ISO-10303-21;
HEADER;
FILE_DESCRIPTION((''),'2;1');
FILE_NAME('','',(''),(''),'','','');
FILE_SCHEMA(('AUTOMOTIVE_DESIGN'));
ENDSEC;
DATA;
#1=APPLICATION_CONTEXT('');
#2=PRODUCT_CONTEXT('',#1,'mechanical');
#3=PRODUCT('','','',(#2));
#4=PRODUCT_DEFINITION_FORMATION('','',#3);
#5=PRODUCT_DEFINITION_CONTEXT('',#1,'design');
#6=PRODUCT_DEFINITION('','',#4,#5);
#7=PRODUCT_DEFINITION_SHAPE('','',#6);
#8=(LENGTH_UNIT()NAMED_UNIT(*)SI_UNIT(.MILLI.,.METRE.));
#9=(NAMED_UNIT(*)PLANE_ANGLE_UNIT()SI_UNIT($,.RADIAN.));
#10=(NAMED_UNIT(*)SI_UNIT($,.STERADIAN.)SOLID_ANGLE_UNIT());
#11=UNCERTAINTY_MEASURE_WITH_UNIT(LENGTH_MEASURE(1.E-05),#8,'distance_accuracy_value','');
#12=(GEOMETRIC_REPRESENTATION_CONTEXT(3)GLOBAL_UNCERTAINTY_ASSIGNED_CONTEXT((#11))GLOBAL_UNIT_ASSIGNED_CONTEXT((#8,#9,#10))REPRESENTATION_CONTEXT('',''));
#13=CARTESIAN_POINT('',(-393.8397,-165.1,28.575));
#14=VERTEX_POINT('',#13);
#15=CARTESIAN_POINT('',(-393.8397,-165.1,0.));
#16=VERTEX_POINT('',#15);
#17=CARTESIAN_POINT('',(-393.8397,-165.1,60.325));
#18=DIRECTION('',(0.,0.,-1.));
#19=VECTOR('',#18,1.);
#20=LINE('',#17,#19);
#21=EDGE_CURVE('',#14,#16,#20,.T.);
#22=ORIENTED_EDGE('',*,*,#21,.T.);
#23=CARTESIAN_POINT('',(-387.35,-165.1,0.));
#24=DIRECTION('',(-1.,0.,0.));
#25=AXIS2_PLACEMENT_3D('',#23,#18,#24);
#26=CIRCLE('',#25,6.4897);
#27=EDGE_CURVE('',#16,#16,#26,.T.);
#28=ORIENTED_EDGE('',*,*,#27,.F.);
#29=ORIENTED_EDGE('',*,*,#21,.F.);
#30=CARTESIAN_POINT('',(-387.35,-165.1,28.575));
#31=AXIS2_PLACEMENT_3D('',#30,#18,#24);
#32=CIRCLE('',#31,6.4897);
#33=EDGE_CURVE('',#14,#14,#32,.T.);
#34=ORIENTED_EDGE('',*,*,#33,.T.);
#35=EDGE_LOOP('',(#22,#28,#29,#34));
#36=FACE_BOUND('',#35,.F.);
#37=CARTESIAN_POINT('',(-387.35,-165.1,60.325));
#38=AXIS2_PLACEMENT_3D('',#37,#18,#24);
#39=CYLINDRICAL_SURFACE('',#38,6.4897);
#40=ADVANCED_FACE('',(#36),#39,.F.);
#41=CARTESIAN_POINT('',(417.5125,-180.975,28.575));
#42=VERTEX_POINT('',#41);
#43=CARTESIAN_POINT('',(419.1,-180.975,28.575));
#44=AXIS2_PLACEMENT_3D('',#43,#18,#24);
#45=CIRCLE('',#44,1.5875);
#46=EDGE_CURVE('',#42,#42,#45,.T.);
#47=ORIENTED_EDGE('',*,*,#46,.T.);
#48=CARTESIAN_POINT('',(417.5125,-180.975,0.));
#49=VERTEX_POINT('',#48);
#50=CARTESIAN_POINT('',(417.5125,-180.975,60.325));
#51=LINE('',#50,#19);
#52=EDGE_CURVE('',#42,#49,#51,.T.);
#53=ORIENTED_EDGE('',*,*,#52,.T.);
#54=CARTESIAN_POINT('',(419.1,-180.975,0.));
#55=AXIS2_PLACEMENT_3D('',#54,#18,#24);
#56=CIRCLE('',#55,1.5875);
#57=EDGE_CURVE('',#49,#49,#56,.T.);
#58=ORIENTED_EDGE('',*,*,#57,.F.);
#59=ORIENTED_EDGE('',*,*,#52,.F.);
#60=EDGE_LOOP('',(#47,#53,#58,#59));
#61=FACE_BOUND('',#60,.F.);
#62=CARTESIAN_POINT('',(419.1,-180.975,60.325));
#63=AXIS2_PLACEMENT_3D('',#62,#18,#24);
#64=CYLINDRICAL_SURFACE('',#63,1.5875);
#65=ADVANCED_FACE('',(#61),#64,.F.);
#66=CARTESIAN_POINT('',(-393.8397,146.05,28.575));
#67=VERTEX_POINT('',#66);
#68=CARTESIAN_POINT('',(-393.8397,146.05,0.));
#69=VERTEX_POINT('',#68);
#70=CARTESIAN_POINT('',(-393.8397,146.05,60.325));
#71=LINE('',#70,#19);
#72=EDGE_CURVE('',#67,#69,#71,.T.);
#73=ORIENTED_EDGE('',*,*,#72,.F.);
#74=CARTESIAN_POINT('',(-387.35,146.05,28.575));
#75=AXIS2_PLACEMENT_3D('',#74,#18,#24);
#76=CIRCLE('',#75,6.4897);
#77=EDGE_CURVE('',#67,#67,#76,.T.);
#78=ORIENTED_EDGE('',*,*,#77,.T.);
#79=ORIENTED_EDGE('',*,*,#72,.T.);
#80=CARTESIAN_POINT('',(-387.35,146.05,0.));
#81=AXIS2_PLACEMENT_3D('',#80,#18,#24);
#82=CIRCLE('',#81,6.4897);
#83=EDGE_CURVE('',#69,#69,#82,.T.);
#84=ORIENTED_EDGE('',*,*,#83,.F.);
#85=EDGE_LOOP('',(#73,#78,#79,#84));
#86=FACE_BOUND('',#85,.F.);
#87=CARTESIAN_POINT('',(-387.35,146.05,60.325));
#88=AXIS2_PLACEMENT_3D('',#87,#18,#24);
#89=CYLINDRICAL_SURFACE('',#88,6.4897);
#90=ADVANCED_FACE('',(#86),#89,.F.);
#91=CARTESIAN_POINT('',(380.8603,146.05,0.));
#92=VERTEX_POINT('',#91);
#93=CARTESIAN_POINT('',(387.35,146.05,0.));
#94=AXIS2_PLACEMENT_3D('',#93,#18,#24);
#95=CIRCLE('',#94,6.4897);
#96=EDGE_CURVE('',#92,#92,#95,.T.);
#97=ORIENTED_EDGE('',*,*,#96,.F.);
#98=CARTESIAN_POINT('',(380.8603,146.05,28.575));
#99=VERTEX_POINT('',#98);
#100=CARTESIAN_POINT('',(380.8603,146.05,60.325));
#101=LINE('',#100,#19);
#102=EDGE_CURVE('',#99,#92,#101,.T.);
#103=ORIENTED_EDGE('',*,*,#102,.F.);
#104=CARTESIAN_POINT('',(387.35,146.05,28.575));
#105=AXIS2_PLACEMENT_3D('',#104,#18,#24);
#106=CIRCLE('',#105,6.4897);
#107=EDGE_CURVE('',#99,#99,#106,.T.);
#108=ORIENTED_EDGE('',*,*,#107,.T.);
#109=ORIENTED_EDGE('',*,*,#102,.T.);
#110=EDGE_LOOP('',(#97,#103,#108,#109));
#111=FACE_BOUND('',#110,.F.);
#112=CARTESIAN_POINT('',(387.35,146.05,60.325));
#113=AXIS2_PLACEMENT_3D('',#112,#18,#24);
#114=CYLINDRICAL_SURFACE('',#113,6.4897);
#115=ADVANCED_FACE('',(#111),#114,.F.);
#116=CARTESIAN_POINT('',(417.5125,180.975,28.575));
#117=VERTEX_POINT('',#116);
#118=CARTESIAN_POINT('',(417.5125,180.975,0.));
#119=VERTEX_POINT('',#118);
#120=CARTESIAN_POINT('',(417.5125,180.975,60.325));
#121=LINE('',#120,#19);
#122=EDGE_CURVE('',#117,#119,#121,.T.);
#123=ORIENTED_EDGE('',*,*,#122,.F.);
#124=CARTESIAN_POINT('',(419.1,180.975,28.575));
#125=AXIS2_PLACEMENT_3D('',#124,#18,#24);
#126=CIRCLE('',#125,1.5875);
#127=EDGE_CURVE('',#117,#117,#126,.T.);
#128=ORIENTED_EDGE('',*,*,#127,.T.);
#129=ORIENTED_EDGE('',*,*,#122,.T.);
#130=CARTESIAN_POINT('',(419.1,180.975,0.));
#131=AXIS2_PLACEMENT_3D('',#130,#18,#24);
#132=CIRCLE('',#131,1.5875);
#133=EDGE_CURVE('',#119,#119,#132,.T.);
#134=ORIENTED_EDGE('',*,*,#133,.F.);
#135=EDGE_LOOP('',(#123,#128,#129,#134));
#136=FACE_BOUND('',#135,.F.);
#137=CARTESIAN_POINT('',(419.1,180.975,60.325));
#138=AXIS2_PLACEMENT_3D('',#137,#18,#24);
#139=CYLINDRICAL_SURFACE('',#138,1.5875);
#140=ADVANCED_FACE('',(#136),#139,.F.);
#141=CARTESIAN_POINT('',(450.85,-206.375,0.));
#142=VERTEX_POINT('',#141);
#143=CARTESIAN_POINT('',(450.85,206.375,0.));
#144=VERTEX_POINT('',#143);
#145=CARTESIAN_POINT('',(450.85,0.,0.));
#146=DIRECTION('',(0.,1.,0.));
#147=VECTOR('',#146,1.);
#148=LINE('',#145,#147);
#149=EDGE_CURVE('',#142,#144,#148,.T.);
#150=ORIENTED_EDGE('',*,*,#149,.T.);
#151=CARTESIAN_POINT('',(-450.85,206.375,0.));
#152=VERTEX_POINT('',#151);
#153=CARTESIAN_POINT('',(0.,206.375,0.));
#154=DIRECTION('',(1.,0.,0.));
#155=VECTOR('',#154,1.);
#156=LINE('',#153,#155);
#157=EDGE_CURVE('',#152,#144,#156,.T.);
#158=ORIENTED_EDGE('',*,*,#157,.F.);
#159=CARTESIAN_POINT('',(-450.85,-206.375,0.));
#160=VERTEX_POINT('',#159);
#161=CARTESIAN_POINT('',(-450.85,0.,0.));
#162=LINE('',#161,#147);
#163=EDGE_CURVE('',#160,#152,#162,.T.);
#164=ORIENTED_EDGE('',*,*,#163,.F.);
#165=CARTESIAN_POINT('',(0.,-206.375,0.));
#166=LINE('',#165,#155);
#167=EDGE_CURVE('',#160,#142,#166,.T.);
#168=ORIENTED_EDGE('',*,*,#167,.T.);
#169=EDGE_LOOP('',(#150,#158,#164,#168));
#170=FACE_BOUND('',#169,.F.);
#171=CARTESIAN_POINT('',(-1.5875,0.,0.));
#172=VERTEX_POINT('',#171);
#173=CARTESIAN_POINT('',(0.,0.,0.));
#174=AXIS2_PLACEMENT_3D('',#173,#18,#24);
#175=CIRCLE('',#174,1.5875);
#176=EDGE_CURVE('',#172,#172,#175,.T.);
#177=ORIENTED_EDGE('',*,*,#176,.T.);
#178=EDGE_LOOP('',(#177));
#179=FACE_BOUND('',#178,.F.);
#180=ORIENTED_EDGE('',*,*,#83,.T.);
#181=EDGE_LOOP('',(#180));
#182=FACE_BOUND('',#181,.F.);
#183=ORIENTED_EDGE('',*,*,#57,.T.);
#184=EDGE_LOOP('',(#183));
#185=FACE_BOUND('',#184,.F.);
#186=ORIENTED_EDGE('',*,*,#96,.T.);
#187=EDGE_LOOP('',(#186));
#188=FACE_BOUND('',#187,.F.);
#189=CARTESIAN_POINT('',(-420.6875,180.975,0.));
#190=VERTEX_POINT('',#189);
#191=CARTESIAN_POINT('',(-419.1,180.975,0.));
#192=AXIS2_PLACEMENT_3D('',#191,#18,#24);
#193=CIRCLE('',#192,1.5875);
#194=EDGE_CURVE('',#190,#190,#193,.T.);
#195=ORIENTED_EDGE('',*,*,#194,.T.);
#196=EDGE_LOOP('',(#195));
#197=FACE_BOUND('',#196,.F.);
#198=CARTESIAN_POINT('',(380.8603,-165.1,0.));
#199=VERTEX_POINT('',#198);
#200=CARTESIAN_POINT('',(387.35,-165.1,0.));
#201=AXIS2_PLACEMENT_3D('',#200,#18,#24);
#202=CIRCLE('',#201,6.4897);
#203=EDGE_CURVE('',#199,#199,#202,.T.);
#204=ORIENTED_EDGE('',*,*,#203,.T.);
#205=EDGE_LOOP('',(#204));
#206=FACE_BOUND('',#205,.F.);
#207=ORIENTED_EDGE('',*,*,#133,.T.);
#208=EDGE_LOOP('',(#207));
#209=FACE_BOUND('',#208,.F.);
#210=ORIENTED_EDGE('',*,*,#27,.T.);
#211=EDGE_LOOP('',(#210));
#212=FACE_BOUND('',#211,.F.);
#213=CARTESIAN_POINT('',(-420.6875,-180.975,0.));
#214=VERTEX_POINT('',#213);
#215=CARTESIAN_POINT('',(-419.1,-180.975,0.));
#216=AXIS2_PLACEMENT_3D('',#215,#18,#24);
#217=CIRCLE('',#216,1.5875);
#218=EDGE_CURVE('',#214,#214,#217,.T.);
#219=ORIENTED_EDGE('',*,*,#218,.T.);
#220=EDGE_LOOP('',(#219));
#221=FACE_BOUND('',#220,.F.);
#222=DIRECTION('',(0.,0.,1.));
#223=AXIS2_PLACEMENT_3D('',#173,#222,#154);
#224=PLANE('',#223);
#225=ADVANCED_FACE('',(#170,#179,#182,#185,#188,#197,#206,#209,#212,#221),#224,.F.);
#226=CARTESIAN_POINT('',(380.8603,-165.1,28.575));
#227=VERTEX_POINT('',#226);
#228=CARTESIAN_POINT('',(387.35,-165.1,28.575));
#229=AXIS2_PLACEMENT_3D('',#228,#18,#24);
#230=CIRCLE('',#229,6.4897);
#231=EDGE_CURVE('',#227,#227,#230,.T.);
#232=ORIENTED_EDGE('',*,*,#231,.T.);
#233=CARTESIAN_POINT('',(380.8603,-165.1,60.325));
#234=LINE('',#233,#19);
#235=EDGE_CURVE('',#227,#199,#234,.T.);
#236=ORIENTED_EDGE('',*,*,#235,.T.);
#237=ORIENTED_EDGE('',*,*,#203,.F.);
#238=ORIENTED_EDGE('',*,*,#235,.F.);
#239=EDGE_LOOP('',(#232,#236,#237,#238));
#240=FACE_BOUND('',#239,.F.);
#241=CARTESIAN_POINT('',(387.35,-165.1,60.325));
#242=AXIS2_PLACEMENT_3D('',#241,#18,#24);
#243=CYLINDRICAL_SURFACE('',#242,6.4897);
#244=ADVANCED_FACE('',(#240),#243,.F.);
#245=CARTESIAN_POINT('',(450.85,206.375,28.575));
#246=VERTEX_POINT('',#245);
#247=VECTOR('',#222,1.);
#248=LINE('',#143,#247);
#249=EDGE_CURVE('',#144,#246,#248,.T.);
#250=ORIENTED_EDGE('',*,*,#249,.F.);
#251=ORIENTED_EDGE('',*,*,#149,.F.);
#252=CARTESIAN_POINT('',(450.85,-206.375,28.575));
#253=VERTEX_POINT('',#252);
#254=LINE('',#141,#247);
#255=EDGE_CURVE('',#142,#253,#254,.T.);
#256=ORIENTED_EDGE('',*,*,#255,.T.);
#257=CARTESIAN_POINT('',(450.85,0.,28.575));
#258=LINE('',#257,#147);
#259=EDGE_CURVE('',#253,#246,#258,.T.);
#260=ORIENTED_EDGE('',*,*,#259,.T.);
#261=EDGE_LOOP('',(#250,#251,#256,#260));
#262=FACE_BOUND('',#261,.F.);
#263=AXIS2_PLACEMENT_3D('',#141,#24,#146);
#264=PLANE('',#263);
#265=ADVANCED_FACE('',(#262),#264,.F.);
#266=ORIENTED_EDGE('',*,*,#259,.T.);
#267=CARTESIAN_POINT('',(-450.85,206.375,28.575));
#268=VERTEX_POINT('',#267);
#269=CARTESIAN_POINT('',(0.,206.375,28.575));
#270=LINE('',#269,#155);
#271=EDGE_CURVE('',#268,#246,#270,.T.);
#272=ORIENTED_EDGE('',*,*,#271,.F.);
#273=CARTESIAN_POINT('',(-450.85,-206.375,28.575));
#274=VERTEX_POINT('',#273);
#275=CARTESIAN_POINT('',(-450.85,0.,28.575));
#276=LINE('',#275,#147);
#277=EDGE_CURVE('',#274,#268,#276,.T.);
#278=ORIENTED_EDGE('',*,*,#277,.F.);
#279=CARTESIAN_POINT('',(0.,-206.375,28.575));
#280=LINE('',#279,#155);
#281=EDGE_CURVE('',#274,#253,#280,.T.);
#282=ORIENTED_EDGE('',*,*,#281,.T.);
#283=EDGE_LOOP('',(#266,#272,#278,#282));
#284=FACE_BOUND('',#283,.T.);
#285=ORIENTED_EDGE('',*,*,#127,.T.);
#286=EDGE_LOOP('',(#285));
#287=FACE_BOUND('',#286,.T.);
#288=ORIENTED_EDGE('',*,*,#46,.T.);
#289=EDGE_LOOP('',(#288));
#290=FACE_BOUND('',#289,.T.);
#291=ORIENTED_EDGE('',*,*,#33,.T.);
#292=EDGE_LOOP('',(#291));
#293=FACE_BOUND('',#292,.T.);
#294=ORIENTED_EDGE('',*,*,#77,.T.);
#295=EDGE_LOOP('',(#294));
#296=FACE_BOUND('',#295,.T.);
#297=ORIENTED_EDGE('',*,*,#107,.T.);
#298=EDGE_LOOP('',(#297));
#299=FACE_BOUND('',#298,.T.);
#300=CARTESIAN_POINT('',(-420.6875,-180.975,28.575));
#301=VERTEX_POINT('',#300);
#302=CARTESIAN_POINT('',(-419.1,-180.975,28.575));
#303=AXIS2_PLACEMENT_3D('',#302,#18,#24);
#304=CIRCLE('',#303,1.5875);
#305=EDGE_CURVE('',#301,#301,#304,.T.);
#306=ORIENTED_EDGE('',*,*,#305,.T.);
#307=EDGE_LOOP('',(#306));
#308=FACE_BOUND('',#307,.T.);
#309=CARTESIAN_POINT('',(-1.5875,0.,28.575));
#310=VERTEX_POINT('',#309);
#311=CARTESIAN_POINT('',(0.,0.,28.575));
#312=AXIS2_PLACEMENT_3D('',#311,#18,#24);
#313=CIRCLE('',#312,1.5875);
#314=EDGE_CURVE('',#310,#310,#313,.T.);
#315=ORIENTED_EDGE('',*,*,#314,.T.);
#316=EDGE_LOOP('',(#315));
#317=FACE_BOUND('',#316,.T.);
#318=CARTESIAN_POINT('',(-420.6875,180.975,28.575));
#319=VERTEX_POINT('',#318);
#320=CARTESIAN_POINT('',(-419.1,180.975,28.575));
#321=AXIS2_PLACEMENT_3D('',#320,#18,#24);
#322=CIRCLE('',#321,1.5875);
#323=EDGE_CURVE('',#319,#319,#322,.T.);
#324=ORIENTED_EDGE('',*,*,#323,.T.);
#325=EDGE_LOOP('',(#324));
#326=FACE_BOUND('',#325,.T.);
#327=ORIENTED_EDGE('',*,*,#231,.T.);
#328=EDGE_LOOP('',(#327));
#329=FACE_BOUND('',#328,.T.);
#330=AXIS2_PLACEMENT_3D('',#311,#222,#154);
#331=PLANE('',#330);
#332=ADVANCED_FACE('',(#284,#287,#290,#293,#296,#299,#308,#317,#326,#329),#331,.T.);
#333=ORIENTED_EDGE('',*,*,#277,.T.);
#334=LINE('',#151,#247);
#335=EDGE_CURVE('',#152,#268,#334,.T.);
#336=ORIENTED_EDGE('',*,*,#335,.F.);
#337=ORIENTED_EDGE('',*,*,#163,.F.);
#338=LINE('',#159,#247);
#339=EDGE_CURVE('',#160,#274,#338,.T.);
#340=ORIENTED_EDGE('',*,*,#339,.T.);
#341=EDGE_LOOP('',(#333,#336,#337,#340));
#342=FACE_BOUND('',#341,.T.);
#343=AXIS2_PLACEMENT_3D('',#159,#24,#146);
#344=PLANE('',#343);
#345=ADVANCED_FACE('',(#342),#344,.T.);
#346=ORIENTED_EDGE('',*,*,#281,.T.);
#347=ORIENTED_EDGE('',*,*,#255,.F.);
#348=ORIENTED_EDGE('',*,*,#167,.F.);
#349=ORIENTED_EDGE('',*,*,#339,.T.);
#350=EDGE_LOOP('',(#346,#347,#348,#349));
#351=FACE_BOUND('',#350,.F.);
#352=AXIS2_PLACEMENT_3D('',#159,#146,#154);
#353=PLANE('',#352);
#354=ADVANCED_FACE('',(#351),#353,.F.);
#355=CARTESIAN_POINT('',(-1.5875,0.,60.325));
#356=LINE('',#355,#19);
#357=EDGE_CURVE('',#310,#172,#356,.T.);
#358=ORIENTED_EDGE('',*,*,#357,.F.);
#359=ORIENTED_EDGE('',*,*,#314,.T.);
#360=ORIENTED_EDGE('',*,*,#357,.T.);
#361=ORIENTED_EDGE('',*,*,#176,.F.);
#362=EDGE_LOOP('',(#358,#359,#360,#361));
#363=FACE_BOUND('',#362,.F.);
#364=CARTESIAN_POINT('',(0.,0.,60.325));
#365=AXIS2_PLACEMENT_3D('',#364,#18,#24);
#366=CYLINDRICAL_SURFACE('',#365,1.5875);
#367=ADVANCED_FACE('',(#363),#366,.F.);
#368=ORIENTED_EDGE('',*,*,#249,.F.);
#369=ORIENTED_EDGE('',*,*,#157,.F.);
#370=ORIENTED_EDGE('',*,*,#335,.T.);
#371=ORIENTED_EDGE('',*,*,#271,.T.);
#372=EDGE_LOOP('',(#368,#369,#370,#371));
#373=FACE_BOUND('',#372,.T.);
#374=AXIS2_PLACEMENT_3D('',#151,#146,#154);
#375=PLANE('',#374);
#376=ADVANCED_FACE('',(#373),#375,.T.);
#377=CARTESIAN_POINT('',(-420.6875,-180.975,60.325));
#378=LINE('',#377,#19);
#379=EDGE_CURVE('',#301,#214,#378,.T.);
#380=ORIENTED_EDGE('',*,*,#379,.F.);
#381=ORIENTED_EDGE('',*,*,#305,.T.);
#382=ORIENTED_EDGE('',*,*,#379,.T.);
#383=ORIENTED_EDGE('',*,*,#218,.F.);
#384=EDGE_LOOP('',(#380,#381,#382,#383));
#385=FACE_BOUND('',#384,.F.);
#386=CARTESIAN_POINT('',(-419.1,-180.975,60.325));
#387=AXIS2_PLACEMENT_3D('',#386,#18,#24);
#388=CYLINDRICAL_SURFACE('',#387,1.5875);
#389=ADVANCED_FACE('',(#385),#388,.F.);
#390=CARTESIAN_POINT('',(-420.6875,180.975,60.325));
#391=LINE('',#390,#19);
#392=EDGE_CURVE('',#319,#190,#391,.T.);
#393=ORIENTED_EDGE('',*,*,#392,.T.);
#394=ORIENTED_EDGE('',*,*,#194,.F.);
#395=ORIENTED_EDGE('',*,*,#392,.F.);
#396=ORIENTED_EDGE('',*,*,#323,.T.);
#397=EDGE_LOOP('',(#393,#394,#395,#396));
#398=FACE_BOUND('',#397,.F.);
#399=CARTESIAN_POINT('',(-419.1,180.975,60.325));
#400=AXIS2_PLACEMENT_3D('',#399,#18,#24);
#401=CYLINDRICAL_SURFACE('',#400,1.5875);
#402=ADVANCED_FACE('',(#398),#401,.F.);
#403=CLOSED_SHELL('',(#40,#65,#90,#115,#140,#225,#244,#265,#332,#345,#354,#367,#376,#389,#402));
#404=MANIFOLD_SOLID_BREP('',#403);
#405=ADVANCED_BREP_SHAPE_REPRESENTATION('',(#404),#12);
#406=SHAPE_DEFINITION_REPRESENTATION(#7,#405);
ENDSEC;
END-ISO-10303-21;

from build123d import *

# Parameters (mm, degrees)
F0_W     = 901.7
F0_H     = 412.75
F1_DEPTH = 28.575
F3_D     = 12.9794
F3_DEPTH = 31.75
F5_D     = 3.175
F5_DEPTH = 31.75


with BuildPart() as f1:
    # F0 (on Top) → F1 (new body)
    with BuildSketch(Plane.XY):
        Rectangle(F0_W, F0_H)
    extrude(amount=F1_DEPTH)

    # F3
    with Locations(Plane.XY.offset(28.575)):
        with Locations((-387.35, 146.05), (-387.35, -165.1), (387.35, -165.1), (387.35, 146.05)):
            Hole(F3_D / 2, depth=F3_DEPTH)

    # F5
    with Locations(Plane.XY.offset(28.575)):
        with Locations((-419.1, 180.975), (-419.1, -180.975), (419.1, -180.975), (419.1, 180.975), (0, 0)):
            Hole(F5_D / 2, depth=F5_DEPTH)


solid = f1.part
